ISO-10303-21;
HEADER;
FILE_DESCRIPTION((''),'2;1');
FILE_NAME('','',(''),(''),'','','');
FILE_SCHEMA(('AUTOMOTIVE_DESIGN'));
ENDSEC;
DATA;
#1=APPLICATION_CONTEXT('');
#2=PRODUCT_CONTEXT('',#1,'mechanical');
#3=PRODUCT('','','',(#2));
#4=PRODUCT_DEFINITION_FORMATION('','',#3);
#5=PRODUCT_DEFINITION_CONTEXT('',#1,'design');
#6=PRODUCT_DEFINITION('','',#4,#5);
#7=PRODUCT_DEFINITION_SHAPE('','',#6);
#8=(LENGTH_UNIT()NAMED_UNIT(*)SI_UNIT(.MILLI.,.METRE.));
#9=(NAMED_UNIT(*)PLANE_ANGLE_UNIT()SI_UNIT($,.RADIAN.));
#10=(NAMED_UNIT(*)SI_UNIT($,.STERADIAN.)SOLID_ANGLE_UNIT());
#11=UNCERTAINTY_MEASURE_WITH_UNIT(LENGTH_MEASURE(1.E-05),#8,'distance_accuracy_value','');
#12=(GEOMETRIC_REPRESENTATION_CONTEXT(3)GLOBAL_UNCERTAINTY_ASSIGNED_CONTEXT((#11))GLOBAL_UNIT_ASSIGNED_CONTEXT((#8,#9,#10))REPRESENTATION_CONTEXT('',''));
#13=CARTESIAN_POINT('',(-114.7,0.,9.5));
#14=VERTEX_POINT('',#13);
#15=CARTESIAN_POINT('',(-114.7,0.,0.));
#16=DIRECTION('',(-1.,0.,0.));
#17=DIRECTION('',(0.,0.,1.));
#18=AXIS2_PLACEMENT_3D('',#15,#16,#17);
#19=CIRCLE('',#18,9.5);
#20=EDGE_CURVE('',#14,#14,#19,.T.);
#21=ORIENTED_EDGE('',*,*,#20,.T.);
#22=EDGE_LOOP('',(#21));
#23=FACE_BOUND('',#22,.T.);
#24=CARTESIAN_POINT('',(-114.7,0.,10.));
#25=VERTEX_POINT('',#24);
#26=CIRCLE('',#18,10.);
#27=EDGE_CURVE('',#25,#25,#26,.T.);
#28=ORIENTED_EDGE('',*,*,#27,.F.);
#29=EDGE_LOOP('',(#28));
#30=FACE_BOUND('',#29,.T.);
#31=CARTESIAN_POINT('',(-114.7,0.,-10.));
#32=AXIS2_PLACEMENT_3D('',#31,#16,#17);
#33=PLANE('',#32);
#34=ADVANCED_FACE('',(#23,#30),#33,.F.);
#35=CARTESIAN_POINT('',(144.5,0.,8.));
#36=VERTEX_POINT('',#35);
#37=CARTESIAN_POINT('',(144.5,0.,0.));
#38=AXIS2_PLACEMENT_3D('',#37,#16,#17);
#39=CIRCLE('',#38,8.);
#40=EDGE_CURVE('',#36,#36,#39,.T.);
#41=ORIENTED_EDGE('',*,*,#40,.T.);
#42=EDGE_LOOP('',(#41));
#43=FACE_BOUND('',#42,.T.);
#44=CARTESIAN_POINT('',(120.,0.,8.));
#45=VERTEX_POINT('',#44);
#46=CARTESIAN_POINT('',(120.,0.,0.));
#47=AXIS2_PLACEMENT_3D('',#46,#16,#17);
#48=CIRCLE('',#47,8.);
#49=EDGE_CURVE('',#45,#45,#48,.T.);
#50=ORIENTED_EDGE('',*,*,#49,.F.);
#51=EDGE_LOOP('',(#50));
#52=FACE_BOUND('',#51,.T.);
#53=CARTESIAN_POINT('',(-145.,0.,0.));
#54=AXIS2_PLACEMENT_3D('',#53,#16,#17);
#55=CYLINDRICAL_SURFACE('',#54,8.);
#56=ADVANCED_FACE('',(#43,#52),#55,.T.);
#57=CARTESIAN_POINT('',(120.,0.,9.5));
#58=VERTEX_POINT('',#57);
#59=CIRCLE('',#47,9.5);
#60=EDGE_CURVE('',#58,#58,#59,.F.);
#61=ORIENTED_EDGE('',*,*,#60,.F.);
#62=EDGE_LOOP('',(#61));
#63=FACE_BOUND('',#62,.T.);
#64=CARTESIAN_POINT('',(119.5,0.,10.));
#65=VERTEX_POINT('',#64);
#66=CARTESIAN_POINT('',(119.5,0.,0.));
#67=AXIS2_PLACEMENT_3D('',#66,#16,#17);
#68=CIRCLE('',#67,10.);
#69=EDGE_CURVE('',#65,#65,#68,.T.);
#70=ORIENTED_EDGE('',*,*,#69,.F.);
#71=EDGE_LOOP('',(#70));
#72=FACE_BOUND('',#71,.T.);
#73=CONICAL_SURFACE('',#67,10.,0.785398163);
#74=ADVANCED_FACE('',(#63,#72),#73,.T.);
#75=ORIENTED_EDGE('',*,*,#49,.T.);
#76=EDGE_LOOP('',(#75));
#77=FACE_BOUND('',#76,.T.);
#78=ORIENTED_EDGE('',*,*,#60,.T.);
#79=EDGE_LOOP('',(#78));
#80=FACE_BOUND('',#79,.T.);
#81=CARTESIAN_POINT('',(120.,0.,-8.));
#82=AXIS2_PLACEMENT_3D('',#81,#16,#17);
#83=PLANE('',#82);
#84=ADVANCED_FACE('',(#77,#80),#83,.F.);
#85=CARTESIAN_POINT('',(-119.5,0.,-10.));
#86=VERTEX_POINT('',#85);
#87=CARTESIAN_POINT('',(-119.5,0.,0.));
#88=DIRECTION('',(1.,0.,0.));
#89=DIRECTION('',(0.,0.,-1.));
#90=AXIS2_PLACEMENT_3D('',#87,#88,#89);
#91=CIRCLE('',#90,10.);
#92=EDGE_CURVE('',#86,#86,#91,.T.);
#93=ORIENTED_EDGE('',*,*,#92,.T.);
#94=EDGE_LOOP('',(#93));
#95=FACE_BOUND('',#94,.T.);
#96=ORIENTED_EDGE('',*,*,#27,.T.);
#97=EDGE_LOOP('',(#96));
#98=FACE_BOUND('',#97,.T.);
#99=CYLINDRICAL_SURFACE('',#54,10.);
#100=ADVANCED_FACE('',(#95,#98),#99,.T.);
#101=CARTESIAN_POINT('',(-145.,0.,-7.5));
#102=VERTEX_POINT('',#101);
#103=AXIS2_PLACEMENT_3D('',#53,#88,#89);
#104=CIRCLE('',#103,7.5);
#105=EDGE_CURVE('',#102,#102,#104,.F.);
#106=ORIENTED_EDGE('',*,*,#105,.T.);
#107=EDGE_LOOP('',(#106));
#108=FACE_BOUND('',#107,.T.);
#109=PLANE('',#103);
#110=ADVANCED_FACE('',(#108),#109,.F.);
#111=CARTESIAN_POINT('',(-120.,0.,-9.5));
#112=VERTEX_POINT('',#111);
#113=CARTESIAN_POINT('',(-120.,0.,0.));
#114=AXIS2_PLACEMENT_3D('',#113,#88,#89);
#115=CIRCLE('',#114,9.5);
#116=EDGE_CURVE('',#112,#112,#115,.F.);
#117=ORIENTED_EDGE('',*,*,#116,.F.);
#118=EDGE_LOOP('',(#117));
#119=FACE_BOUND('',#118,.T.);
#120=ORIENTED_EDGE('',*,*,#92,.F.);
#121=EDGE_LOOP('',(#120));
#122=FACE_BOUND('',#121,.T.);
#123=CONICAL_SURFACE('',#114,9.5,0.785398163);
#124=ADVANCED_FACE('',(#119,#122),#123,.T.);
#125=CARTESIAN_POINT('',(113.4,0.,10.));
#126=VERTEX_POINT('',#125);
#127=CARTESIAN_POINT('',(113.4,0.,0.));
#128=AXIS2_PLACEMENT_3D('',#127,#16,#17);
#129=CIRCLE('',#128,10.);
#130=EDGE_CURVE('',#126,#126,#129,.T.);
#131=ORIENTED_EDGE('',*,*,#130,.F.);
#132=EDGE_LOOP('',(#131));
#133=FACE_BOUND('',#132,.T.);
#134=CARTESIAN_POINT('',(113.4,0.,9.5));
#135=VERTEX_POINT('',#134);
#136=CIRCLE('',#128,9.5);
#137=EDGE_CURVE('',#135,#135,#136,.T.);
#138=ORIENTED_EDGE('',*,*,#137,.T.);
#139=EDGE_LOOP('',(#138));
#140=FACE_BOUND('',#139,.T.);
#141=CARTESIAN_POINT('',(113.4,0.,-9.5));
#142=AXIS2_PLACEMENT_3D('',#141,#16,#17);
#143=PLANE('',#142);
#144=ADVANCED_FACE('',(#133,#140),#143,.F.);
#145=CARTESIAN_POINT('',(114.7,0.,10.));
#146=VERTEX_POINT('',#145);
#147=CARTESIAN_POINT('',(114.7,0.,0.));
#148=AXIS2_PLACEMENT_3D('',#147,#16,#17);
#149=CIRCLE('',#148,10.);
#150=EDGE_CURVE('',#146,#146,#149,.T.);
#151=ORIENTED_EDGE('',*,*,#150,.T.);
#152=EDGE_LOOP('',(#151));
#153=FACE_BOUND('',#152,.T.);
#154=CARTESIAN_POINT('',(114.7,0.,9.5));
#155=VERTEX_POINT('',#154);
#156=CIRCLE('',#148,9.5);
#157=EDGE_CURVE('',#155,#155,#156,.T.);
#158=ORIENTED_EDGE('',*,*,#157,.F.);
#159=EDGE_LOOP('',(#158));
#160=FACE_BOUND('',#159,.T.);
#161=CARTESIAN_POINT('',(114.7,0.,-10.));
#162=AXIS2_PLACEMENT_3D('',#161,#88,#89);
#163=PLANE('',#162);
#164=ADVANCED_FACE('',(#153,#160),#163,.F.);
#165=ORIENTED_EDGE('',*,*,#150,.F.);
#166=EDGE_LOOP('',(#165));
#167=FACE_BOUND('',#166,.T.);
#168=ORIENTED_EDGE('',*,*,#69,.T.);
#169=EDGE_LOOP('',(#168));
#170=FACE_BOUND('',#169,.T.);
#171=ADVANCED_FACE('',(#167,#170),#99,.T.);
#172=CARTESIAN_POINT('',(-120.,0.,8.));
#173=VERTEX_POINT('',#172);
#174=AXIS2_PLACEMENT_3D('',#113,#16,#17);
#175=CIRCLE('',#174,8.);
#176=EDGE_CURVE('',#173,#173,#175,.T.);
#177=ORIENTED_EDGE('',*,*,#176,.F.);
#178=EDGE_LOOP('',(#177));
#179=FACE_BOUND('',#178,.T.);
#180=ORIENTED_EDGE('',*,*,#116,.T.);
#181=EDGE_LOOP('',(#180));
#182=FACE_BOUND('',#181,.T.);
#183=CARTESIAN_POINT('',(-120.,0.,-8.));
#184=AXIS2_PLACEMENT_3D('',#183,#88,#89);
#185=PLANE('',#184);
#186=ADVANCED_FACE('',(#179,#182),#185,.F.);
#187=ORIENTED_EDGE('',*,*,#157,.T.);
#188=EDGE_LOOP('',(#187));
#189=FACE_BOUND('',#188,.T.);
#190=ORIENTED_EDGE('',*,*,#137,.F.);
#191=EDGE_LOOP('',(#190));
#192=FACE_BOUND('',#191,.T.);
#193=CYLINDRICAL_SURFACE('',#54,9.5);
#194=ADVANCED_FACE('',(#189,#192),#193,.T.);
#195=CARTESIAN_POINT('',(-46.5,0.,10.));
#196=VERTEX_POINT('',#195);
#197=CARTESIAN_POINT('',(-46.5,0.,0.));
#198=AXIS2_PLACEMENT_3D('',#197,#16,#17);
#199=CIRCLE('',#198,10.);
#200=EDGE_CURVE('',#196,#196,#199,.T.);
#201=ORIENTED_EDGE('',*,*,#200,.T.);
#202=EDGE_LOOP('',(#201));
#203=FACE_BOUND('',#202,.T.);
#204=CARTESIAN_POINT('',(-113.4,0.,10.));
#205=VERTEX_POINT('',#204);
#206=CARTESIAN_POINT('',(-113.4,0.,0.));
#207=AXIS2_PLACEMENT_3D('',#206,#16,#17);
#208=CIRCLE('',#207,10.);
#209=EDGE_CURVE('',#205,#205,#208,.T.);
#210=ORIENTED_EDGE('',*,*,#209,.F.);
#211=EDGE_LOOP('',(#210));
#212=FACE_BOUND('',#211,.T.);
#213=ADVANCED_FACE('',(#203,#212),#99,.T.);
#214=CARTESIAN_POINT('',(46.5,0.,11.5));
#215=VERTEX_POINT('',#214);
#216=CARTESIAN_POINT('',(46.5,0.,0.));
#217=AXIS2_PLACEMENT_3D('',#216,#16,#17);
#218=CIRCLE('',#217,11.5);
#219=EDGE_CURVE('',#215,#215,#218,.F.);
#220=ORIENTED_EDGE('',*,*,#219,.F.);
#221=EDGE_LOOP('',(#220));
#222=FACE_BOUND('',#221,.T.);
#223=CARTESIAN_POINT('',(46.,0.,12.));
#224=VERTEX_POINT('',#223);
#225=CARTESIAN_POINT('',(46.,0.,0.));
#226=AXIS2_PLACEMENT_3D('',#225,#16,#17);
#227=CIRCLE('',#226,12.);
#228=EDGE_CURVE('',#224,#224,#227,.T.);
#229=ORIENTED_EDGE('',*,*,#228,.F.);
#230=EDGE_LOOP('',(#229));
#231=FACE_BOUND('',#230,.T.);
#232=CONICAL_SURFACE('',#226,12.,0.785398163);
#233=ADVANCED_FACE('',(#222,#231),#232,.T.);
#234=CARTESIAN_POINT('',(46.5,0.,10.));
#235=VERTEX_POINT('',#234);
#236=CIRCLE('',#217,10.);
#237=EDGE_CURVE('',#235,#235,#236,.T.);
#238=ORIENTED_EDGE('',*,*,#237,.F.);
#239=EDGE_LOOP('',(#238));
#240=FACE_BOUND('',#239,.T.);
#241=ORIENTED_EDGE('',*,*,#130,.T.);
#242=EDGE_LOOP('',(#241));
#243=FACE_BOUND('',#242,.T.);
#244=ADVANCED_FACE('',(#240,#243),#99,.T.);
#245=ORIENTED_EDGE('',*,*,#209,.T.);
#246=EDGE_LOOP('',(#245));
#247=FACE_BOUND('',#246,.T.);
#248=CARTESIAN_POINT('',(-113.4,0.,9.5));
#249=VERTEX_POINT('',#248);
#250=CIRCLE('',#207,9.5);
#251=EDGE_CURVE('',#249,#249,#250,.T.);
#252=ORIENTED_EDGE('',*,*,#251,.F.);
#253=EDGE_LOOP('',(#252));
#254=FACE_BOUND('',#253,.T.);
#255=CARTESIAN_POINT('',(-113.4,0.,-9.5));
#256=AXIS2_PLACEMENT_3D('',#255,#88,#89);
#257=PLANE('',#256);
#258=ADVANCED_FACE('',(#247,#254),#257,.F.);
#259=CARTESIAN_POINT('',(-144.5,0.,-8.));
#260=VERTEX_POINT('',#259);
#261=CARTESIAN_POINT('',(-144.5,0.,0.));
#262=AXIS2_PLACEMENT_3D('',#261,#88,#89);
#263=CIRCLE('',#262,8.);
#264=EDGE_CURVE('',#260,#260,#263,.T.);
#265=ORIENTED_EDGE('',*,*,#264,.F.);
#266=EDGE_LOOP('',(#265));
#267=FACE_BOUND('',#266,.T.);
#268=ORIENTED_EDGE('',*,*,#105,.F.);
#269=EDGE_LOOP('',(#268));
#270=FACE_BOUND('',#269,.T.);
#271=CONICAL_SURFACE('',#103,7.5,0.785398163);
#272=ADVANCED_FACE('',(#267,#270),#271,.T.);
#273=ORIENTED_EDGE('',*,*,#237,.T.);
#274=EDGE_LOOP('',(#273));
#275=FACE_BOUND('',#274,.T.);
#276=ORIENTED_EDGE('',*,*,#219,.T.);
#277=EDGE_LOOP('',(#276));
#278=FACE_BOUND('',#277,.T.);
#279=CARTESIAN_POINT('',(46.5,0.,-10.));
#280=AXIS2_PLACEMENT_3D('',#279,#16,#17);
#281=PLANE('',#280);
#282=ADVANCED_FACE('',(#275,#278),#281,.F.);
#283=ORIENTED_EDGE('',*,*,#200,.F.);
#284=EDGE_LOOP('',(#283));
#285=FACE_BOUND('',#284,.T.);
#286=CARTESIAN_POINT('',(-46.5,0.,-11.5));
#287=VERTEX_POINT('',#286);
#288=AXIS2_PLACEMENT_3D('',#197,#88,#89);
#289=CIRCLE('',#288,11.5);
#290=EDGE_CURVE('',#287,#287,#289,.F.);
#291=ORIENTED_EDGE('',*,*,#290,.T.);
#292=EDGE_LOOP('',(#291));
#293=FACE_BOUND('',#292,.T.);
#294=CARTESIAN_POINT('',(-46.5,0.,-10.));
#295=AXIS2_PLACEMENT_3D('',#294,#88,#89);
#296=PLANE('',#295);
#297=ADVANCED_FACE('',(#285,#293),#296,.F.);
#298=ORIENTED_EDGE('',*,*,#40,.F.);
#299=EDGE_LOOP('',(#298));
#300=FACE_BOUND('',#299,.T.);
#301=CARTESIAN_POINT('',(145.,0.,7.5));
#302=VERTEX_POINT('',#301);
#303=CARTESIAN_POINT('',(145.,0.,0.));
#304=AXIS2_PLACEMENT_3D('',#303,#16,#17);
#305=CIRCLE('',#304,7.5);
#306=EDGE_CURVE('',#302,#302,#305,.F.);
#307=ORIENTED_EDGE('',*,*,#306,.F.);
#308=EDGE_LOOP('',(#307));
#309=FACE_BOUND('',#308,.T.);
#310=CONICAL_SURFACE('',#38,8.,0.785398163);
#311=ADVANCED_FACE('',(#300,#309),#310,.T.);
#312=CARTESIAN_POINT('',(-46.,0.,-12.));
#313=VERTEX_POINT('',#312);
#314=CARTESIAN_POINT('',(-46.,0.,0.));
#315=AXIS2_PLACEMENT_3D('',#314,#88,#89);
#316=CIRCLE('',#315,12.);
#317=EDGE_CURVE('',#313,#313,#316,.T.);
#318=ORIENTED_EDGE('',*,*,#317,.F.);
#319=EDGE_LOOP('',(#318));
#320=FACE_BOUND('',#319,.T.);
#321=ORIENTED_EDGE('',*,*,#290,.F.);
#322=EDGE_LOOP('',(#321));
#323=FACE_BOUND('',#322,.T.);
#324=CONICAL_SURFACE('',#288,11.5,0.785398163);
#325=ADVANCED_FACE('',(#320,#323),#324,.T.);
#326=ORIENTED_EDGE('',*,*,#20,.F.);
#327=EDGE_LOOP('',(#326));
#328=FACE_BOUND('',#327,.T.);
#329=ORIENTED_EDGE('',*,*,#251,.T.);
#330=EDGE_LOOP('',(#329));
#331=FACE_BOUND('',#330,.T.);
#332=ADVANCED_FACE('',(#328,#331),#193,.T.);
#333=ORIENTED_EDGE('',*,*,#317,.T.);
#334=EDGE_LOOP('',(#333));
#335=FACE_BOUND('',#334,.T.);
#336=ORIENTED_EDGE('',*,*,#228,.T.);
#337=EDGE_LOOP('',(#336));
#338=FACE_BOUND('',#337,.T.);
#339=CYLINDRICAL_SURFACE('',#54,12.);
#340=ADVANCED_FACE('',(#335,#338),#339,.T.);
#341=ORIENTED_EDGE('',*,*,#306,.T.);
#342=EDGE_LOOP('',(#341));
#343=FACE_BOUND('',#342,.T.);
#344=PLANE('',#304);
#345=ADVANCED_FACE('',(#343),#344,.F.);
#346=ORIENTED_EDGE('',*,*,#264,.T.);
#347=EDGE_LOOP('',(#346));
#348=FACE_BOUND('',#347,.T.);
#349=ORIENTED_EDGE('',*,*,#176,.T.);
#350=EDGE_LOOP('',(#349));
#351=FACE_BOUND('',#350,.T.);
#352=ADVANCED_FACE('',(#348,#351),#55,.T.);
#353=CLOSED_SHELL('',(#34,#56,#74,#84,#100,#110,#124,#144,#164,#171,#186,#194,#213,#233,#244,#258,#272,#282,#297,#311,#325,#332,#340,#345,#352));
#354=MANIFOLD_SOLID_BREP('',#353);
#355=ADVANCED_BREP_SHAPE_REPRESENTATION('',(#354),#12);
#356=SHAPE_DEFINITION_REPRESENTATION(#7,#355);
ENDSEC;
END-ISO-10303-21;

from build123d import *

# Parameters (mm, degrees)
CHAMFER1_SIZE = 0.5


with BuildPart() as part:
    # Sketch1 → Revolve1 (revolve)
    with BuildSketch(Plane(origin=(0, 0, 0), x_dir=(1, 0, 0), z_dir=(0, 1, 0)), mode=Mode.PRIVATE) as revolve1_sk:
        Polygon((-145, 0), (-145, 8), (-120, 8), (-120, 10), (-114.7, 10), (-114.7, 9.5), (-113.4, 9.5), (-113.4, 10), (-46.5, 10), (-46.5, 12), (46.5, 12), (46.5, 10), (113.4, 10), (113.4, 9.5), (114.7, 9.5), (114.7, 10), (120, 10), (120, 8), (145, 8), (145, 0), align=None)
    revolve(revolve1_sk.sketch.rotate(Axis((-145, 0, 0), (1, 0, 0)), 180), axis=Axis((-145, 0, 0), (1, 0, 0)))

    # Chamfer1
    chamfer1_edges = [part.edges().sort_by_distance(p)[0] for p in [
        (-145, 0, -8),
        (-120, 0, -10),
        (-46.5, 0, -12),
        (46.5, 0, -12),
        (120, 0, -10),
        (145, 0, -8),
    ]]
    chamfer(chamfer1_edges, length=CHAMFER1_SIZE)


solid = part.part
